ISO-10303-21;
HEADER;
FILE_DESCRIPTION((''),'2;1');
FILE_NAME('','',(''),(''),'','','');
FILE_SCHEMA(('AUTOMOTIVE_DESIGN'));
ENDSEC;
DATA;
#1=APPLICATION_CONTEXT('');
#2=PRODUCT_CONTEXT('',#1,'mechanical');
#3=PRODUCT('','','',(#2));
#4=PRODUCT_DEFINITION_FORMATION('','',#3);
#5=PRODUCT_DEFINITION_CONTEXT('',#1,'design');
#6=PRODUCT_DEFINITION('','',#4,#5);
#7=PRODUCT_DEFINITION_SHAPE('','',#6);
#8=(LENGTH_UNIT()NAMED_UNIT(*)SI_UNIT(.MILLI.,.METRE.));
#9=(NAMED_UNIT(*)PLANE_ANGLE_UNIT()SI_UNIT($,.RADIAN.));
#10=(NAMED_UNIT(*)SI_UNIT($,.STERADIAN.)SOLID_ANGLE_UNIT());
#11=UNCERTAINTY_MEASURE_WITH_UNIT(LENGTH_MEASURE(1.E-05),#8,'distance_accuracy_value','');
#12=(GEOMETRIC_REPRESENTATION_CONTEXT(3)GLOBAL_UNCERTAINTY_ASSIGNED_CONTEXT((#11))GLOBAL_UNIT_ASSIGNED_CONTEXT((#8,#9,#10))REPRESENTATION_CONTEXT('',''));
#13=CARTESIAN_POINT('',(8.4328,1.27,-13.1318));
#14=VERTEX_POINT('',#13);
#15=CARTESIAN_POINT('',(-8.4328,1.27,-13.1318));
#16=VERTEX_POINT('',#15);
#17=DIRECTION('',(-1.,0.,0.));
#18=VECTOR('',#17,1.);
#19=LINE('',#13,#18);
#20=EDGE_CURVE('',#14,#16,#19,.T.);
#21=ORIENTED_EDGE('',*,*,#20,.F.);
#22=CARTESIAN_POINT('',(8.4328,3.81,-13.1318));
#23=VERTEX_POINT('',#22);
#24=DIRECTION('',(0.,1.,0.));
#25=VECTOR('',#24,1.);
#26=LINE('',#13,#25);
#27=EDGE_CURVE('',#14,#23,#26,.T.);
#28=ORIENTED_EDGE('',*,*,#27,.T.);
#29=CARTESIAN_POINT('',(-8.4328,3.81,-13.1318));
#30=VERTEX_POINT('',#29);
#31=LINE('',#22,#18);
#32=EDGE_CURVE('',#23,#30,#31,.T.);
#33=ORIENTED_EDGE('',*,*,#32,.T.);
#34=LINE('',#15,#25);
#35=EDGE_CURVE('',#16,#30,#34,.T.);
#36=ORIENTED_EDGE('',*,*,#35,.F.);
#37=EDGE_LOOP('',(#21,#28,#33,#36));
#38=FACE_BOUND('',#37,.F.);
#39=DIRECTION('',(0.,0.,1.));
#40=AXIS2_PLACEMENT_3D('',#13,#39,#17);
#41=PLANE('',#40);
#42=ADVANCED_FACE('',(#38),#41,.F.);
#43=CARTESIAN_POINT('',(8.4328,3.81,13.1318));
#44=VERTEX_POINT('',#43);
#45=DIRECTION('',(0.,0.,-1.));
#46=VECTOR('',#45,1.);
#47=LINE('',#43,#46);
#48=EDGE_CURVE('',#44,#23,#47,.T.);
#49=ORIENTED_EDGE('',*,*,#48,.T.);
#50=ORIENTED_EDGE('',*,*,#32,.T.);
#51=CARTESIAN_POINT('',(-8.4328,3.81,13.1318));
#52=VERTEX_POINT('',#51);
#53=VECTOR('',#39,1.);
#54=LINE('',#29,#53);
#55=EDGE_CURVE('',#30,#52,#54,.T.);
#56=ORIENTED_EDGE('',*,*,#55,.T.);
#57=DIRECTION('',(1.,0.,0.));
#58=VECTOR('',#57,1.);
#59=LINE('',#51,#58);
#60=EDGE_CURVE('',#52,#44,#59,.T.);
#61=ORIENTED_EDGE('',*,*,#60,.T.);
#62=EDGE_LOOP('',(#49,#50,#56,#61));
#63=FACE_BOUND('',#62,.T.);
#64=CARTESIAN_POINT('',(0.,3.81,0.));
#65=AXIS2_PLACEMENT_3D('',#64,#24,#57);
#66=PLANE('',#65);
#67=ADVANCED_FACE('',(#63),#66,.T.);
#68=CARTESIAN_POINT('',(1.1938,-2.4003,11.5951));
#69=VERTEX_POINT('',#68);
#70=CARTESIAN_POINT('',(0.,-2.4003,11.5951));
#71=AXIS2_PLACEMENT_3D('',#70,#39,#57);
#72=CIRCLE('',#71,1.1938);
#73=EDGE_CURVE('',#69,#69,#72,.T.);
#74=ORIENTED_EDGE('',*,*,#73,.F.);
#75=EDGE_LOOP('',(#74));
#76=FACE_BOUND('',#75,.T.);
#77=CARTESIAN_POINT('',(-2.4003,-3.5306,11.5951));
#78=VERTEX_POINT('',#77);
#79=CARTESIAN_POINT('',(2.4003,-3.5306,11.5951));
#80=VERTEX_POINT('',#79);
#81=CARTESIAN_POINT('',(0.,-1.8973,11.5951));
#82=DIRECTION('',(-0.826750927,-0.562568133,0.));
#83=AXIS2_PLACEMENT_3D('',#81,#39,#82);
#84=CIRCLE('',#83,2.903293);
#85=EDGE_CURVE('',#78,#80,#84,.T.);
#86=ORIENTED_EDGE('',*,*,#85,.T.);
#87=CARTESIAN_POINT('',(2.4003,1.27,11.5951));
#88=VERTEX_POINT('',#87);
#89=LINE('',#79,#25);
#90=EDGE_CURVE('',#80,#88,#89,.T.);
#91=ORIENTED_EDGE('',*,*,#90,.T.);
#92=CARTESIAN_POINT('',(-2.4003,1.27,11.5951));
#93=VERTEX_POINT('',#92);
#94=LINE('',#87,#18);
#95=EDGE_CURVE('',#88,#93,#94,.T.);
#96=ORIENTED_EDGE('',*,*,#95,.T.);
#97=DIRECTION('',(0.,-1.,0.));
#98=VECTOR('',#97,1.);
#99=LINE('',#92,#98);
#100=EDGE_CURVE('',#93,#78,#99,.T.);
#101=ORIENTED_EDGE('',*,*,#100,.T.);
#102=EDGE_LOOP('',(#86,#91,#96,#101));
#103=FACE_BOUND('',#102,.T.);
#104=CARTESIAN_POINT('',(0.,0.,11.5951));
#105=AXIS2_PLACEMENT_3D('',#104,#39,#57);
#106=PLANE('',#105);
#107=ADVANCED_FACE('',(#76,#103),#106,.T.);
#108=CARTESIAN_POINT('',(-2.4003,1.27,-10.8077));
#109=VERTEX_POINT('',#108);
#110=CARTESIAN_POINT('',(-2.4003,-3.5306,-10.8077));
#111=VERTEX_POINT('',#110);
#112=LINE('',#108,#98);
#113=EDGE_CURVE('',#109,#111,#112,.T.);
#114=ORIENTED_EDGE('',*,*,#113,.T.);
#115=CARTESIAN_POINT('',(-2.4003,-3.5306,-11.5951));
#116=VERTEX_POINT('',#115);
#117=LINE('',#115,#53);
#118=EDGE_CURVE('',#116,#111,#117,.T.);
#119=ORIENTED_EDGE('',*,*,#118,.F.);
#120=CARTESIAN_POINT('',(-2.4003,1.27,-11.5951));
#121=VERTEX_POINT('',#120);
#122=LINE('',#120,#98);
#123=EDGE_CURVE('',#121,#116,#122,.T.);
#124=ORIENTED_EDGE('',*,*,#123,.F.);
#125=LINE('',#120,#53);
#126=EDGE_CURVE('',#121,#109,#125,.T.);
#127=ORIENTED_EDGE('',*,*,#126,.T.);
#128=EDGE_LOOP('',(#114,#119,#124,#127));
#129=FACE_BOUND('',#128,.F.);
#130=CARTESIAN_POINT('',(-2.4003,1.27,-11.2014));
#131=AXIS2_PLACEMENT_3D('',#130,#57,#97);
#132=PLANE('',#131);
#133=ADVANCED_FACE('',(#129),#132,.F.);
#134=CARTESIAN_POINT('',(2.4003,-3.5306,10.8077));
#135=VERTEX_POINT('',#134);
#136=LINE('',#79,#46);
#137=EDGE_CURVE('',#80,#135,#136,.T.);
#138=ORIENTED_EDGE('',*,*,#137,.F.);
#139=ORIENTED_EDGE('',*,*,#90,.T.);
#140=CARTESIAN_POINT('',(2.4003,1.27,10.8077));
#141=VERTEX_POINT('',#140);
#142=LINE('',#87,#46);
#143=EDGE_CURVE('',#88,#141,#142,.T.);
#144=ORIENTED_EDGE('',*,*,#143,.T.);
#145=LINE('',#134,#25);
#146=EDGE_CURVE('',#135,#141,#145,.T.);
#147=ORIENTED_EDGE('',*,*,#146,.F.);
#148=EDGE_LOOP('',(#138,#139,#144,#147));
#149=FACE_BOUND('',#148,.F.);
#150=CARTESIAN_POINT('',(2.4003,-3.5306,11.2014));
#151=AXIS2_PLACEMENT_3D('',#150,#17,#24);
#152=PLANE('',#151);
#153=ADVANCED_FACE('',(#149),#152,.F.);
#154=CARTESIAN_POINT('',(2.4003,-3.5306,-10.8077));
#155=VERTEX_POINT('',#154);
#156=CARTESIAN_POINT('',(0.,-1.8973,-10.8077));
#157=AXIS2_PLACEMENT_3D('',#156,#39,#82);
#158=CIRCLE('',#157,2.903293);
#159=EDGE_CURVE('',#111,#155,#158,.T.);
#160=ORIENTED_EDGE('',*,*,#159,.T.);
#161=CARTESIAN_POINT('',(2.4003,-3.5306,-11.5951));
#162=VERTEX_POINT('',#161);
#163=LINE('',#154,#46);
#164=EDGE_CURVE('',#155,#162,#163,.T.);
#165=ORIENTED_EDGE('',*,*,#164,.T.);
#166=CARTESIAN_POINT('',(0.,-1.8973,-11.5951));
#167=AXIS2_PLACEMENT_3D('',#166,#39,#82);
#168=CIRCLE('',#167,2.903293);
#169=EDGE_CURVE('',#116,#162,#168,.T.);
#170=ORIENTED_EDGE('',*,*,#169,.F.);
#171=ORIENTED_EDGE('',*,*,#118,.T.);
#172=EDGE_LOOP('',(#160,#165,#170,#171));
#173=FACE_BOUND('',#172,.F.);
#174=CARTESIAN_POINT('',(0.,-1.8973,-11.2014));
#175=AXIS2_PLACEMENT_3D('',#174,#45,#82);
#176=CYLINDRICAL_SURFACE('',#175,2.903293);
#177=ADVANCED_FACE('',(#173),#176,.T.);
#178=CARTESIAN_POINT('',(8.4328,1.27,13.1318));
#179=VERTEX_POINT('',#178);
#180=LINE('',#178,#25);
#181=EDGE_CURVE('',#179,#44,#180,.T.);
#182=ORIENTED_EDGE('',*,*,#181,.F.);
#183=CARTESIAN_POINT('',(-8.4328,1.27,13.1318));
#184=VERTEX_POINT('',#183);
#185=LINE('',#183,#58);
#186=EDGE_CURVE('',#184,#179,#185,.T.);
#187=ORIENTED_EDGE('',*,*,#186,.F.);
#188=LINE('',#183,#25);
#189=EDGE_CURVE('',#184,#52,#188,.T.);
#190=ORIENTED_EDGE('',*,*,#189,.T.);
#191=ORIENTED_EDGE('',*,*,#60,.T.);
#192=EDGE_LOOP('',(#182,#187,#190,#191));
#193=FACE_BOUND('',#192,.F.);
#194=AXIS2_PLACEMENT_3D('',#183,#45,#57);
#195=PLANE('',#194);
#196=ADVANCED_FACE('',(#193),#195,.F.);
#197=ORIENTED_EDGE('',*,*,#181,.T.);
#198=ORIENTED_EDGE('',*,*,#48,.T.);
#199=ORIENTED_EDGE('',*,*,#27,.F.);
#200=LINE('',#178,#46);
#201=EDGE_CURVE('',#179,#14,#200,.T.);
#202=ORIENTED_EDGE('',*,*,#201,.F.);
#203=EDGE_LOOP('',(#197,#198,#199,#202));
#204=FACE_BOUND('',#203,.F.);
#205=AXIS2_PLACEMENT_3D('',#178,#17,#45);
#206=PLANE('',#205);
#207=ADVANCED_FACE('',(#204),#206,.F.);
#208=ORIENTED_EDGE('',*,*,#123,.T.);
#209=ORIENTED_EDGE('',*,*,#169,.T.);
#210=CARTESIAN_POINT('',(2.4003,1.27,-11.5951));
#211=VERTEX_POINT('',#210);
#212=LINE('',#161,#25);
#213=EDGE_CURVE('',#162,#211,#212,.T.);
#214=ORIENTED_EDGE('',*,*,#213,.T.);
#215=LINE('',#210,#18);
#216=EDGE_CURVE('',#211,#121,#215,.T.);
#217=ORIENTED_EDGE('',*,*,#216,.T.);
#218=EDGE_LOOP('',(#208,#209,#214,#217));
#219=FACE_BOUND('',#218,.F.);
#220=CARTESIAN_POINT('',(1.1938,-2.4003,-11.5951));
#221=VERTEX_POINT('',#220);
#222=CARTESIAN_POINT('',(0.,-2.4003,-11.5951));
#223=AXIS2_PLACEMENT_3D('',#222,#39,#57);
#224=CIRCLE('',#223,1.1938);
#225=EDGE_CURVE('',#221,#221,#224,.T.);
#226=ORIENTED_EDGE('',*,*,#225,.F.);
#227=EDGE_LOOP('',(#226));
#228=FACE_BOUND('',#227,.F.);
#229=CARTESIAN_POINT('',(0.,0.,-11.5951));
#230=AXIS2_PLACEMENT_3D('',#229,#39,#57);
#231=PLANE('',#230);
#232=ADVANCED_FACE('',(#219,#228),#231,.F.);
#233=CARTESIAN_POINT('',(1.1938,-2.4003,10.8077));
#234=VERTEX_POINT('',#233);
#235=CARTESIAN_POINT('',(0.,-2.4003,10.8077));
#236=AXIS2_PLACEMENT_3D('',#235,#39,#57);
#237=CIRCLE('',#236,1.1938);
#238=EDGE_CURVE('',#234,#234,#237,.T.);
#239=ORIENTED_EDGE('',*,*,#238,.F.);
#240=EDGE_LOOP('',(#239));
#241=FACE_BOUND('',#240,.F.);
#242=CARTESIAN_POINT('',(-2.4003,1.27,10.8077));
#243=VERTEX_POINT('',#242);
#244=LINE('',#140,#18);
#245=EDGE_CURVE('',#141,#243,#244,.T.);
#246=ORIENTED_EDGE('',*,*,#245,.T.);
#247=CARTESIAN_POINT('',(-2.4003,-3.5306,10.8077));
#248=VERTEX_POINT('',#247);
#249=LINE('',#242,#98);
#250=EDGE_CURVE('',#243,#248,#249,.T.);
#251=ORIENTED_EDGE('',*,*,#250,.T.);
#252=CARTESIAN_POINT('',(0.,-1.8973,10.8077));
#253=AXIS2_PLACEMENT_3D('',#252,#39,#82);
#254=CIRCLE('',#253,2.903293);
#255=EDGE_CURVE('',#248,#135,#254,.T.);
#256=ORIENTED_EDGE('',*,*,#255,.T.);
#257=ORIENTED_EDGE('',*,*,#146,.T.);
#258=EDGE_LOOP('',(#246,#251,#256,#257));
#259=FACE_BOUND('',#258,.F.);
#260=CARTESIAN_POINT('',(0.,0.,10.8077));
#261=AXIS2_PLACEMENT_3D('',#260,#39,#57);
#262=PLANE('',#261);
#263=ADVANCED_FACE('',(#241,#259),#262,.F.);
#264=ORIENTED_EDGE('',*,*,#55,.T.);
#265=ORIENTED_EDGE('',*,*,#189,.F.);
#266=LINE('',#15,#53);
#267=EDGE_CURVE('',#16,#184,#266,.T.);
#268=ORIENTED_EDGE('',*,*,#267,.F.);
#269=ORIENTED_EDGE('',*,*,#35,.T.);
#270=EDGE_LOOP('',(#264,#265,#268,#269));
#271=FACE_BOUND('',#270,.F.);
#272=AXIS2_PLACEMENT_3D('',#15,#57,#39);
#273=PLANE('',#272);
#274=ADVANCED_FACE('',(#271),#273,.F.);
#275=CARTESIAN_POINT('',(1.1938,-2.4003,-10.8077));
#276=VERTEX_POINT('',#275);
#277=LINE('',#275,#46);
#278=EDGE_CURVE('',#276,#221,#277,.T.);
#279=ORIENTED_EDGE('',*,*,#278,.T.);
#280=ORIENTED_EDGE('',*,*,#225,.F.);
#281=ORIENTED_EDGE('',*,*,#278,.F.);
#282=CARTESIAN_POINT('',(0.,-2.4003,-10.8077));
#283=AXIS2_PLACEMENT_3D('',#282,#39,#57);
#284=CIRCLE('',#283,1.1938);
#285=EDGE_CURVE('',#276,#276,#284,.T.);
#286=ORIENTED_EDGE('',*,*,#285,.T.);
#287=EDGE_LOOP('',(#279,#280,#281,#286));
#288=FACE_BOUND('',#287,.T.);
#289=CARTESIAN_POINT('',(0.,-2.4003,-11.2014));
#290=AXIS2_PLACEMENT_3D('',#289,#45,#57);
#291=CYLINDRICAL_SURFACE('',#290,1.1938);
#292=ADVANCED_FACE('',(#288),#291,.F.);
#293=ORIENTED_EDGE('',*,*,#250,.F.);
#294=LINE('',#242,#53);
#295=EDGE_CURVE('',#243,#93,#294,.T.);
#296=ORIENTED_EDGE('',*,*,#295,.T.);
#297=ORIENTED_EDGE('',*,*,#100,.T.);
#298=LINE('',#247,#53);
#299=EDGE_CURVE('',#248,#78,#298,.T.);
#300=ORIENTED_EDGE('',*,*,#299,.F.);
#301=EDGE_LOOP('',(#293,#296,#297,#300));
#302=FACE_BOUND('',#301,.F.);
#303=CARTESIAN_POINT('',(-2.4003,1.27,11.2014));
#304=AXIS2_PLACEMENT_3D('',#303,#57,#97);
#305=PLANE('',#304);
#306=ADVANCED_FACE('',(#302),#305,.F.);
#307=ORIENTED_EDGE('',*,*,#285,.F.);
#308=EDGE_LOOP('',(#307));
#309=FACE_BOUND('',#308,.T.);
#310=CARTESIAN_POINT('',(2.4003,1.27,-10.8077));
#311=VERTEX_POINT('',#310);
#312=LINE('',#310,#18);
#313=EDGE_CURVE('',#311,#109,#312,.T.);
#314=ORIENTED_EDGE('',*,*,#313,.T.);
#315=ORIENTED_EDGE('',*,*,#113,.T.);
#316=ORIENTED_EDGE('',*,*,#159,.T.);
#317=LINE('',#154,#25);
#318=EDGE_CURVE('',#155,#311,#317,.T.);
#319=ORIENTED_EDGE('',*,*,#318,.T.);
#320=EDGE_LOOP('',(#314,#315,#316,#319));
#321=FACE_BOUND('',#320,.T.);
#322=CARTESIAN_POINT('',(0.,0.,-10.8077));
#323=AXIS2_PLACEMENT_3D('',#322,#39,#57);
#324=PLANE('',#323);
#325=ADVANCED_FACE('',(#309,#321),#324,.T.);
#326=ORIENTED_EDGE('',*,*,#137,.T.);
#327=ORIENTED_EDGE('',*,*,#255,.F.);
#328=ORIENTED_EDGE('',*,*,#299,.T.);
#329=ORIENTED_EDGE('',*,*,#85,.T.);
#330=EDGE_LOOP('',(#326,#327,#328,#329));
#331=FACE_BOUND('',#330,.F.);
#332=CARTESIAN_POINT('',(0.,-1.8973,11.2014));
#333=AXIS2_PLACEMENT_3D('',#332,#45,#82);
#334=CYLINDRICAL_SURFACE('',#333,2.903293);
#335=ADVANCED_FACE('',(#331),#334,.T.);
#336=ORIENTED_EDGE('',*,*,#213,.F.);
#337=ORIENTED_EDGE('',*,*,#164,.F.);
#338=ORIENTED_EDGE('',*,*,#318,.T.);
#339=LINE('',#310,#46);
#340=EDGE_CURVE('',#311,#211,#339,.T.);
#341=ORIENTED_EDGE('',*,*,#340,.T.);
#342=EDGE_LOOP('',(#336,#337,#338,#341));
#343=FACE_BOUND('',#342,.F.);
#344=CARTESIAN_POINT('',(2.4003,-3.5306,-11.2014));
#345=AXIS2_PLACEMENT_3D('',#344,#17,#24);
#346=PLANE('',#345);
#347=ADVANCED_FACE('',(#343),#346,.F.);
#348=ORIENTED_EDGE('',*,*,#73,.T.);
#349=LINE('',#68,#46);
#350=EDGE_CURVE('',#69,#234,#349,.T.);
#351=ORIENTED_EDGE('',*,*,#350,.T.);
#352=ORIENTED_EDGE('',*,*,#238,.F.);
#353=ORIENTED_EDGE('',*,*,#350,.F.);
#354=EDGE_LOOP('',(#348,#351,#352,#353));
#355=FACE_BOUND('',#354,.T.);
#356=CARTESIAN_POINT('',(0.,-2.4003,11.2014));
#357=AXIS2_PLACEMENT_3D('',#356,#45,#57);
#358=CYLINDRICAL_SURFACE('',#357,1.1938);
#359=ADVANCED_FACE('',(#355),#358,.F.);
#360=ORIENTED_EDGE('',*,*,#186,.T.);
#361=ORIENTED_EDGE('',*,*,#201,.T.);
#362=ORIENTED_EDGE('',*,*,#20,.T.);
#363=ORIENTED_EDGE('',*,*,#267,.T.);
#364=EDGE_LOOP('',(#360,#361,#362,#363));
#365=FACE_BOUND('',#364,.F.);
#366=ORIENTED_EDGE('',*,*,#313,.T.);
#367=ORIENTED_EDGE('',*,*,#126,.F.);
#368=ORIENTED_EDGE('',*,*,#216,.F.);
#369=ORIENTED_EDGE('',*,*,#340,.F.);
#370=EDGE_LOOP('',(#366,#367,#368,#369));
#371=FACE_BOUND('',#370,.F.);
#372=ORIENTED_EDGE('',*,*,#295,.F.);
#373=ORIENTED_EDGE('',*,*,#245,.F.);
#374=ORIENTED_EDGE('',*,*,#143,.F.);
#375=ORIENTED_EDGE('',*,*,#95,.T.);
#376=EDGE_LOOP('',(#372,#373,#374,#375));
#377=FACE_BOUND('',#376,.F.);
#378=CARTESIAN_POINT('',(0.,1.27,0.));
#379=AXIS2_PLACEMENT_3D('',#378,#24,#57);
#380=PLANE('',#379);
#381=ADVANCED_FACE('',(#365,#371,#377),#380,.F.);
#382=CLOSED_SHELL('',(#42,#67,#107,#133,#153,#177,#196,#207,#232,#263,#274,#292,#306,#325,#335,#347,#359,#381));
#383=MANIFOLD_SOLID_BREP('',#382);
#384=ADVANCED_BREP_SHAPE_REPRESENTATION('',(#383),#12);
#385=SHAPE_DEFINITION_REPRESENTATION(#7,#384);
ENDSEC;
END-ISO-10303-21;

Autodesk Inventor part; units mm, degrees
sketch "Sketch_2" plane through (0, 1.27, 0) normal (0, 1, 0) x (1, 0, 0)
  line L0 (-8.4328, -13.1318) -> (8.4328, -13.1318)
  line L1 (8.4328, -13.1318) -> (8.4328, 13.1318)
  line L2 (8.4328, 13.1318) -> (-8.4328, 13.1318)
  line L3 (-8.4328, 13.1318) -> (-8.4328, -13.1318)
extrude "Extrusion1" add sketch "Sketch_2" along normal blind 2.54
sketch "Sketch_1" plane through (0, 0, -11.2014) normal (0, 0, 1) x (1, 0, 0)
  line L0 (-2.4003, 1.27) -> (-2.4003, -3.5306)
  arc A0 (-2.4003, -3.5306) -> (2.4003, -3.5306) centre (0, -1.8973) ccw
  line L1 (2.4003, -3.5306) -> (2.4003, 1.27)
  line L2 (2.4003, 1.27) -> (-2.4003, 1.27)
  circle A1 centre (0, -2.4003) radius 1.1938
extrude "Extrusion2" add sketch "Sketch_1" along normal mid plane 0.7874
sketch "Sketch_3" plane through (0, 0, 11.2014) normal (0, 0, 1) x (1, 0, 0)
  line L0 (-2.4003, 1.27) -> (-2.4003, -3.5306)
  arc A0 (-2.4003, -3.5306) -> (2.4003, -3.5306) centre (0, -1.8973) ccw
  line L1 (2.4003, -3.5306) -> (2.4003, 1.27)
  line L2 (2.4003, 1.27) -> (-2.4003, 1.27)
  circle A1 centre (0, -2.4003) radius 1.1938
extrude "Extrusion3" add sketch "Sketch_3" along normal mid plane 0.7874
ref_plane "body_to_terminal_XY" through (0, 0, 0) normal (0, -1, 0) x (1, 0, 0)
ref_plane "body_to_terminal_YZ" through (0, 0, 0) normal (1, 0, 0) x (0, 0, 1)
ref_plane "body_to_terminal_ZX" through (0, 0, 0) normal (0, 0, 1) x (0, -1, 0)
ref_plane "wire_1_XY" through (-3.048, 0, 7.62) normal (0, 1, 0) x (1, 0, 0)
ref_plane "wire_1_YZ" through (-3.048, 0, 7.62) normal (1, 0, 0) x (0, 0, -1)
ref_plane "wire_1_ZX" through (-3.048, 0, 7.62) normal (0, 0, -1) x (0, 1, 0)
ref_plane "wire_2_XY" through (3.048, 0, 7.62) normal (0, 1, 0) x (1, 0, 0)
ref_plane "wire_2_YZ" through (3.048, 0, 7.62) normal (1, 0, 0) x (0, 0, -1)
ref_plane "wire_2_ZX" through (3.048, 0, 7.62) normal (0, 0, -1) x (0, 1, 0)
ref_plane "wire_3_XY" through (-3.048, 0, 0) normal (0, 1, 0) x (1, 0, 0)
ref_plane "wire_3_YZ" through (-3.048, 0, 0) normal (1, 0, 0) x (0, 0, -1)
ref_plane "wire_3_ZX" through (-3.048, 0, 0) normal (0, 0, -1) x (0, 1, 0)
ref_plane "wire_4_XY" through (3.048, 0, 0) normal (0, 1, 0) x (1, 0, 0)
ref_plane "wire_4_YZ" through (3.048, 0, 0) normal (1, 0, 0) x (0, 0, -1)
ref_plane "wire_4_ZX" through (3.048, 0, 0) normal (0, 0, -1) x (0, 1, 0)
ref_plane "wire_5_XY" through (-3.048, 0, -7.62) normal (0, 1, 0) x (1, 0, 0)
ref_plane "wire_5_YZ" through (-3.048, 0, -7.62) normal (1, 0, 0) x (0, 0, -1)
ref_plane "wire_5_ZX" through (-3.048, 0, -7.62) normal (0, 0, -1) x (0, 1, 0)
ref_plane "wire_6_XY" through (3.048, 0, -7.62) normal (0, 1, 0) x (1, 0, 0)
ref_plane "wire_6_YZ" through (3.048, 0, -7.62) normal (1, 0, 0) x (0, 0, -1)
ref_plane "wire_6_ZX" through (3.048, 0, -7.62) normal (0, 0, -1) x (0, 1, 0)
properties part number "WT11S_terminal"
